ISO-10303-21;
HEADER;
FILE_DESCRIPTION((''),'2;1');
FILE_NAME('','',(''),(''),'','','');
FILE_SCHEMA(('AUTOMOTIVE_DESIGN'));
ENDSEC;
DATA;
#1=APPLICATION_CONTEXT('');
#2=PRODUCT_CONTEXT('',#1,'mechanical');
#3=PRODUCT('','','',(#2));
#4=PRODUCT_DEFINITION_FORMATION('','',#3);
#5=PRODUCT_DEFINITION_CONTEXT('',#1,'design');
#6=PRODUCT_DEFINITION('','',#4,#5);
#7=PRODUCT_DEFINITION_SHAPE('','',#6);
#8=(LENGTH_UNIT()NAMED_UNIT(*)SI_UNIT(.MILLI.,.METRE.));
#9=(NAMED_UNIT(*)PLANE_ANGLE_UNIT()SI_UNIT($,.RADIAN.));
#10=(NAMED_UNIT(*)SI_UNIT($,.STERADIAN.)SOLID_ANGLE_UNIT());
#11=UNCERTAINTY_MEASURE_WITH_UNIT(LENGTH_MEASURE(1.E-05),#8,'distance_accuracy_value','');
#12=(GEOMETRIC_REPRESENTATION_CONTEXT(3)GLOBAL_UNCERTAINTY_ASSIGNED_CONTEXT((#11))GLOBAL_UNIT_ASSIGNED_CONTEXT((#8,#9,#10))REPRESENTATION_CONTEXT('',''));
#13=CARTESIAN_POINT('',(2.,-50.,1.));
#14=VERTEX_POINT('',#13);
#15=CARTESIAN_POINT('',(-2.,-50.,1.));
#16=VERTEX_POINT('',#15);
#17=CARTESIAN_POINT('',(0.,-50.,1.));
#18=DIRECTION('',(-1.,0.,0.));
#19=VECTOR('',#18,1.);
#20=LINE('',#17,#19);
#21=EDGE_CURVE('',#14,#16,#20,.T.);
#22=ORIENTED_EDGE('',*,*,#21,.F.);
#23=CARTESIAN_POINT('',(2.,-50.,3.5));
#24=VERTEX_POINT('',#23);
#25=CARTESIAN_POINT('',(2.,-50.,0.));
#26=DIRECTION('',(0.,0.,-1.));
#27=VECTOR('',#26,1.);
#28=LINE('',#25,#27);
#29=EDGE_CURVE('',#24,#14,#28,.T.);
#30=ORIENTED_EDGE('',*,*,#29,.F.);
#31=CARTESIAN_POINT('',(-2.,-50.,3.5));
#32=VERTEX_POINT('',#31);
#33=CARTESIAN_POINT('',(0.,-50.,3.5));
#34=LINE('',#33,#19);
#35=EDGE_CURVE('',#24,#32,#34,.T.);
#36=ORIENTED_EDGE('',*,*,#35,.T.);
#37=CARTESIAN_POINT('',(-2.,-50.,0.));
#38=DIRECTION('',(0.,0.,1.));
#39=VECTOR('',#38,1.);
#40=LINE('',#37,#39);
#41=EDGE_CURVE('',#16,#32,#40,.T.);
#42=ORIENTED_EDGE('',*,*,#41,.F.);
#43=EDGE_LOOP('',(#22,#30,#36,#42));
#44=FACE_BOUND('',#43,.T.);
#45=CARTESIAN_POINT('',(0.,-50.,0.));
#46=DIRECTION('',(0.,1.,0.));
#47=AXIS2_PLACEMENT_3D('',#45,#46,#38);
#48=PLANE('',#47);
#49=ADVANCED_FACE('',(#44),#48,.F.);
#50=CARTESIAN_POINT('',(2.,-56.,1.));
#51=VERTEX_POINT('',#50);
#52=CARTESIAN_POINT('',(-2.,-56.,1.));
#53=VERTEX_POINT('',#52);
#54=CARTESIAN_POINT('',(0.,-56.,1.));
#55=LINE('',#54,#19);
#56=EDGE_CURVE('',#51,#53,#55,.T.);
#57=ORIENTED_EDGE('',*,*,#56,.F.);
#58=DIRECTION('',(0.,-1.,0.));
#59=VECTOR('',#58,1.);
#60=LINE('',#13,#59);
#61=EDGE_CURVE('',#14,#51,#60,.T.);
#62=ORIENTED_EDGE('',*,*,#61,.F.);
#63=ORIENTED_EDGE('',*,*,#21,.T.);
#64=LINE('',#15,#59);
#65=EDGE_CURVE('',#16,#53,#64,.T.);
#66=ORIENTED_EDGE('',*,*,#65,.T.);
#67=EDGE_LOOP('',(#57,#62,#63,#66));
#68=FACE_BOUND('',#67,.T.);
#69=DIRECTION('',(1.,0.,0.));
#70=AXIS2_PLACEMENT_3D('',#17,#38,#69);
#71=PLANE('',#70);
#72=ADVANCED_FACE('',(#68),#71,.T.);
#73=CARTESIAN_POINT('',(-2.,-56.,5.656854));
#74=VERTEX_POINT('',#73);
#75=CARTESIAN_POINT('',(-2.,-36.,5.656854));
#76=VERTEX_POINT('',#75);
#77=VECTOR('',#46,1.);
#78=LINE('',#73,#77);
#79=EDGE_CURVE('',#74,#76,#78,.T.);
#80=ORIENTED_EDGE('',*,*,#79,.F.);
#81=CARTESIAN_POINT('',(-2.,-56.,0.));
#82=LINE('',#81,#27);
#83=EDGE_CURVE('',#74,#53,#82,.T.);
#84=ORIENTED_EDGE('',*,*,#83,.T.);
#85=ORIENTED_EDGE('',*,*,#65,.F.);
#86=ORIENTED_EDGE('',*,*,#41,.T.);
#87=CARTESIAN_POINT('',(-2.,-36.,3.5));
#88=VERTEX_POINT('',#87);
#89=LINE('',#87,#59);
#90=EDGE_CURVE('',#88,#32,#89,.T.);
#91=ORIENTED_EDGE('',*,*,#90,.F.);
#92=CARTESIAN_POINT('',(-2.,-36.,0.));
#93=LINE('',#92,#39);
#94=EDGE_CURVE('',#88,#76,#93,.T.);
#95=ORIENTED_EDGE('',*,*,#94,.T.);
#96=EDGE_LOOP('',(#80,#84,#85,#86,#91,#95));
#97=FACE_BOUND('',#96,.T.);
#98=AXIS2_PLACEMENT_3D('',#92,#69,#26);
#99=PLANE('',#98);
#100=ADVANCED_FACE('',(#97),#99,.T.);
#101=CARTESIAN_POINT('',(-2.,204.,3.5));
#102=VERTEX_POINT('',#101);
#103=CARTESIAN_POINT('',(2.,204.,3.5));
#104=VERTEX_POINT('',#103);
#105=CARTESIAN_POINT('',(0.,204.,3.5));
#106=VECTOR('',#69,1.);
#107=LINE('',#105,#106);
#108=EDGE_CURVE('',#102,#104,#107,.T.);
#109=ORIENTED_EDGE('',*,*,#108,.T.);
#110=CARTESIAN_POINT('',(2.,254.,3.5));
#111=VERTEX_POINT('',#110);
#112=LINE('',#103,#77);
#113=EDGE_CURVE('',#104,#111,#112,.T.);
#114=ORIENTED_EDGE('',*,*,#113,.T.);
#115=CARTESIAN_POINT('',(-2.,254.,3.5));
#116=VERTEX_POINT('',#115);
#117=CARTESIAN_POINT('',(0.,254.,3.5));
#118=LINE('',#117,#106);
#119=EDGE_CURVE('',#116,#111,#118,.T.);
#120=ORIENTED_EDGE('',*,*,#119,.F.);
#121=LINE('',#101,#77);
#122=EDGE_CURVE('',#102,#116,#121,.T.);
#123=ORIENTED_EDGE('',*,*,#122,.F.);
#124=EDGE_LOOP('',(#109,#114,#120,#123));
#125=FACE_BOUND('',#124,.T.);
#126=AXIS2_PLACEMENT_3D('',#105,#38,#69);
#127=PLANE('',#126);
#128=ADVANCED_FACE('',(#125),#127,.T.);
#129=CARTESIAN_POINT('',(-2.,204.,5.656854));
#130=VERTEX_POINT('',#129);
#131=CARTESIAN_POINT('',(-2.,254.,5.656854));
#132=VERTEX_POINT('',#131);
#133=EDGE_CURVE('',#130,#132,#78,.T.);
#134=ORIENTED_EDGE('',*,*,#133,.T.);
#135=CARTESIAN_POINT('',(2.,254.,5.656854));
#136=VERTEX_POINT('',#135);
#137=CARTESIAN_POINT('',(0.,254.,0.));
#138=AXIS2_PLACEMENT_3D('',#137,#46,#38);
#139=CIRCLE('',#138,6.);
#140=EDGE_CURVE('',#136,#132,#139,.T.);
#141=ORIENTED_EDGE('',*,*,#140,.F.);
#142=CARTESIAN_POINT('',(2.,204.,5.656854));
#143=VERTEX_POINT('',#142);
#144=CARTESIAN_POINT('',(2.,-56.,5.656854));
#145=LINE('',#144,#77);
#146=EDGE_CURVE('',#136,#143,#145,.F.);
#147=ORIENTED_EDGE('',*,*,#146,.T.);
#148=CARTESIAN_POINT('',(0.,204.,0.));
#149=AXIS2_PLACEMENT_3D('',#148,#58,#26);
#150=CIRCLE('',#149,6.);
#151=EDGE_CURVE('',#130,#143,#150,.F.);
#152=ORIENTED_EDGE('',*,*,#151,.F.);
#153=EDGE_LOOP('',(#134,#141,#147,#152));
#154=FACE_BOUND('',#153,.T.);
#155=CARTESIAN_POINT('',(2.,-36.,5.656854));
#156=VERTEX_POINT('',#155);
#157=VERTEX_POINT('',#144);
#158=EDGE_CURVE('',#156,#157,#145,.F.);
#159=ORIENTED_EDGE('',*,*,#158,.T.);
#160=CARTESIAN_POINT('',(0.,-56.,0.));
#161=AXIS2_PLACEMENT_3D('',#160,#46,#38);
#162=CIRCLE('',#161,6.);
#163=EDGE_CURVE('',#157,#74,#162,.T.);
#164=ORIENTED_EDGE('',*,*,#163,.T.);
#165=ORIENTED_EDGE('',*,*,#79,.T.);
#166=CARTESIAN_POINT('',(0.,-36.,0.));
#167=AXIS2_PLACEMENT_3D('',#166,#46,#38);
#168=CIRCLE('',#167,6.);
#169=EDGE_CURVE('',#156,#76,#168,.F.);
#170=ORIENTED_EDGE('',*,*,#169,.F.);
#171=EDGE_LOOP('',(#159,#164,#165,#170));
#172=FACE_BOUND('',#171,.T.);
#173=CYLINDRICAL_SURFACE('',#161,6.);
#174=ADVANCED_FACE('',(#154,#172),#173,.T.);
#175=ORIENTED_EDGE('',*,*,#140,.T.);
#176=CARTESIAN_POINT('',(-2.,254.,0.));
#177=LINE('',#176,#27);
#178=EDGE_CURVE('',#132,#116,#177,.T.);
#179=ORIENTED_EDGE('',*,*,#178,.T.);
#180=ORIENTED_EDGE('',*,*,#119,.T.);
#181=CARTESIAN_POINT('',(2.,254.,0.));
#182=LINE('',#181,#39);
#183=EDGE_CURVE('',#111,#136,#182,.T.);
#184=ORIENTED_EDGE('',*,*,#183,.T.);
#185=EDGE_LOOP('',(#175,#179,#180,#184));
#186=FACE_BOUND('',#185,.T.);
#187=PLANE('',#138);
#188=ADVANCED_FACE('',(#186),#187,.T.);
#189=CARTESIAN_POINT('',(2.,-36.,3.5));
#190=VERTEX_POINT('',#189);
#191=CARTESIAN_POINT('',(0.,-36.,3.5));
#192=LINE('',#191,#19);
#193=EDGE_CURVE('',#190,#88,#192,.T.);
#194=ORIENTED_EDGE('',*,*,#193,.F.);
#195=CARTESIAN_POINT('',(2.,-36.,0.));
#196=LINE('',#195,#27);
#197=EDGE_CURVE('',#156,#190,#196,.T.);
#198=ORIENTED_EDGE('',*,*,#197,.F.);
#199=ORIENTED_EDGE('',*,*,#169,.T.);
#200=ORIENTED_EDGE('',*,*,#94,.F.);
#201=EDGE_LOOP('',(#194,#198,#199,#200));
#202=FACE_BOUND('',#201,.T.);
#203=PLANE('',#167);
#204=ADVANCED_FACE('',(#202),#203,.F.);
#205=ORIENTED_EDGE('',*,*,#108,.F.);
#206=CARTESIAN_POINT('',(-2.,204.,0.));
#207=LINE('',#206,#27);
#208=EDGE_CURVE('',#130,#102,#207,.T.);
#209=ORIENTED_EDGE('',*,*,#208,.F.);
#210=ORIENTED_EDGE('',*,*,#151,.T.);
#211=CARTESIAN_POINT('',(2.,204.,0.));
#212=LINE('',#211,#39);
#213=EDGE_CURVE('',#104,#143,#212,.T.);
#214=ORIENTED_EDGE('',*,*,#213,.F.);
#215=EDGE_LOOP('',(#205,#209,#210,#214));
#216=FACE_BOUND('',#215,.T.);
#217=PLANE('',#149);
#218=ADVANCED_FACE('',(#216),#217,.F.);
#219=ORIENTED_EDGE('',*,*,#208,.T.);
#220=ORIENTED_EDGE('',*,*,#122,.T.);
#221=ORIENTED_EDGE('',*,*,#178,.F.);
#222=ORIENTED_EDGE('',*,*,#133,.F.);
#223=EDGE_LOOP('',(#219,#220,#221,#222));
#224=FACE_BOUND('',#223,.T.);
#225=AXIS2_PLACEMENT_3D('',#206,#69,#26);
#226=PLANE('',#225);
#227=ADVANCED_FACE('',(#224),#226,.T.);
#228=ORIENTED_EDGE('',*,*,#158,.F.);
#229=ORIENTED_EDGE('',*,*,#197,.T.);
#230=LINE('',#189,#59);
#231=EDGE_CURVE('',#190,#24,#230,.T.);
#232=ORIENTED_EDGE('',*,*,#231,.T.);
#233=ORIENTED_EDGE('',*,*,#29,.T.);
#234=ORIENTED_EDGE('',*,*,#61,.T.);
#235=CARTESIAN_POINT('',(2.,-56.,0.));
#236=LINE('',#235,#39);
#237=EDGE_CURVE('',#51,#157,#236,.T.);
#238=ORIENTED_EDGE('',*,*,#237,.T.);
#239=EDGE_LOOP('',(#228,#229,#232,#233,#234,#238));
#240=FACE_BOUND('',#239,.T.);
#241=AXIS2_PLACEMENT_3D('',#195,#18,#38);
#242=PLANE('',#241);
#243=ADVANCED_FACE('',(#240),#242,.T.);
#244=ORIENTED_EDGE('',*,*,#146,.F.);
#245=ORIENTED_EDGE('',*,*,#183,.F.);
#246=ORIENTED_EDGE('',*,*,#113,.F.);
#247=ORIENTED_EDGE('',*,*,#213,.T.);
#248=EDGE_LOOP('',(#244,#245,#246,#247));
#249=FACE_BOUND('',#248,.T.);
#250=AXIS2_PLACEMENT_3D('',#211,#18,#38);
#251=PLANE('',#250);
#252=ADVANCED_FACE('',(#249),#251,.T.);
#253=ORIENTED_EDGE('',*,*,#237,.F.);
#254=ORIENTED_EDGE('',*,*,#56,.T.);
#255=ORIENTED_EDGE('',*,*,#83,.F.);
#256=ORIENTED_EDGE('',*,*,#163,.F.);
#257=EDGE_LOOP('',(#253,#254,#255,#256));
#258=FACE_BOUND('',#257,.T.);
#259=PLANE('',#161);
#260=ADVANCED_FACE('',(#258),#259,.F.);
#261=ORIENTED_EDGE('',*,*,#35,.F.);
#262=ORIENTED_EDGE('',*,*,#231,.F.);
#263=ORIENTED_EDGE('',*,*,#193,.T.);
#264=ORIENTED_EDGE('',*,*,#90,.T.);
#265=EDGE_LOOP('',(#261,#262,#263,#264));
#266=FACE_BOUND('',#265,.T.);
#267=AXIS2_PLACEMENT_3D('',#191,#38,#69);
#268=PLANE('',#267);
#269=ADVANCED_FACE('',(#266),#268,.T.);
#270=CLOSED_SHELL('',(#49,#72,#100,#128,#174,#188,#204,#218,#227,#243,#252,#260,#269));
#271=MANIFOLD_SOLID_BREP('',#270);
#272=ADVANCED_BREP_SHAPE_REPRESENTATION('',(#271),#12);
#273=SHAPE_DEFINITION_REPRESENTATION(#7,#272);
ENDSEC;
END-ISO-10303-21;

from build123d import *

# Parameters (mm, degrees)
SKETCH1_R                = 6
BOSS_EXTRUDE1_DEPTH      = 254
BOSS_EXTRUDE1_DEPTH_BACK = 56
CUT_EXTRUDE3_START       = -56
SKETCH2_W                = 4
SKETCH2_H                = 5
CUT_EXTRUDE3_DEPTH       = 20
CUT_EXTRUDE3_DEPTH_BACK  = 0.0001
CUT_EXTRUDE4_START       = 254
SKETCH2_2_W              = 4
SKETCH2_2_H              = 5
CUT_EXTRUDE4_DEPTH       = 50
CUT_EXTRUDE6_START       = -56
SKETCH3_W                = 4
SKETCH3_H                = 10
CUT_EXTRUDE6_DEPTH       = 6


with BuildPart() as part:
    # Sketch1 → Boss-Extrude1 (new body, two sides)
    with BuildSketch(Plane(origin=(0, 0, 0), x_dir=(1, 0, 0), z_dir=(0, 1, 0))) as boss_extrude1_sk:
        Circle(SKETCH1_R)
    extrude(amount=BOSS_EXTRUDE1_DEPTH)
    extrude(boss_extrude1_sk.sketch, amount=-BOSS_EXTRUDE1_DEPTH_BACK)

    # Sketch2 → Cut-Extrude3 (cut, two sides)
    with BuildSketch(Plane(origin=(0, 0, 0), x_dir=(1, 0, 0), z_dir=(0, 1, 0)).offset(CUT_EXTRUDE3_START)) as cut_extrude3_sk:
        with Locations((0, -6)):
            Rectangle(SKETCH2_W, SKETCH2_H)
    extrude(amount=CUT_EXTRUDE3_DEPTH, mode=Mode.SUBTRACT)
    extrude(cut_extrude3_sk.sketch, amount=-CUT_EXTRUDE3_DEPTH_BACK, mode=Mode.SUBTRACT)

    # Sketch2<2> → Cut-Extrude4 (cut)
    with BuildSketch(Plane(origin=(0, 0, 0), x_dir=(1, 0, 0), z_dir=(0, 1, 0)).offset(CUT_EXTRUDE4_START)):
        with Locations((0, -6)):
            Rectangle(SKETCH2_2_W, SKETCH2_2_H)
    extrude(amount=-CUT_EXTRUDE4_DEPTH, mode=Mode.SUBTRACT)

    # Sketch3 → Cut-Extrude6 (cut)
    with BuildSketch(Plane(origin=(0, 0, 0), x_dir=(1, 0, 0), z_dir=(0, 1, 0)).offset(CUT_EXTRUDE6_START)):
        with Locations((0, -6)):
            Rectangle(SKETCH3_W, SKETCH3_H)
    extrude(amount=CUT_EXTRUDE6_DEPTH, mode=Mode.SUBTRACT)


solid = part.part
